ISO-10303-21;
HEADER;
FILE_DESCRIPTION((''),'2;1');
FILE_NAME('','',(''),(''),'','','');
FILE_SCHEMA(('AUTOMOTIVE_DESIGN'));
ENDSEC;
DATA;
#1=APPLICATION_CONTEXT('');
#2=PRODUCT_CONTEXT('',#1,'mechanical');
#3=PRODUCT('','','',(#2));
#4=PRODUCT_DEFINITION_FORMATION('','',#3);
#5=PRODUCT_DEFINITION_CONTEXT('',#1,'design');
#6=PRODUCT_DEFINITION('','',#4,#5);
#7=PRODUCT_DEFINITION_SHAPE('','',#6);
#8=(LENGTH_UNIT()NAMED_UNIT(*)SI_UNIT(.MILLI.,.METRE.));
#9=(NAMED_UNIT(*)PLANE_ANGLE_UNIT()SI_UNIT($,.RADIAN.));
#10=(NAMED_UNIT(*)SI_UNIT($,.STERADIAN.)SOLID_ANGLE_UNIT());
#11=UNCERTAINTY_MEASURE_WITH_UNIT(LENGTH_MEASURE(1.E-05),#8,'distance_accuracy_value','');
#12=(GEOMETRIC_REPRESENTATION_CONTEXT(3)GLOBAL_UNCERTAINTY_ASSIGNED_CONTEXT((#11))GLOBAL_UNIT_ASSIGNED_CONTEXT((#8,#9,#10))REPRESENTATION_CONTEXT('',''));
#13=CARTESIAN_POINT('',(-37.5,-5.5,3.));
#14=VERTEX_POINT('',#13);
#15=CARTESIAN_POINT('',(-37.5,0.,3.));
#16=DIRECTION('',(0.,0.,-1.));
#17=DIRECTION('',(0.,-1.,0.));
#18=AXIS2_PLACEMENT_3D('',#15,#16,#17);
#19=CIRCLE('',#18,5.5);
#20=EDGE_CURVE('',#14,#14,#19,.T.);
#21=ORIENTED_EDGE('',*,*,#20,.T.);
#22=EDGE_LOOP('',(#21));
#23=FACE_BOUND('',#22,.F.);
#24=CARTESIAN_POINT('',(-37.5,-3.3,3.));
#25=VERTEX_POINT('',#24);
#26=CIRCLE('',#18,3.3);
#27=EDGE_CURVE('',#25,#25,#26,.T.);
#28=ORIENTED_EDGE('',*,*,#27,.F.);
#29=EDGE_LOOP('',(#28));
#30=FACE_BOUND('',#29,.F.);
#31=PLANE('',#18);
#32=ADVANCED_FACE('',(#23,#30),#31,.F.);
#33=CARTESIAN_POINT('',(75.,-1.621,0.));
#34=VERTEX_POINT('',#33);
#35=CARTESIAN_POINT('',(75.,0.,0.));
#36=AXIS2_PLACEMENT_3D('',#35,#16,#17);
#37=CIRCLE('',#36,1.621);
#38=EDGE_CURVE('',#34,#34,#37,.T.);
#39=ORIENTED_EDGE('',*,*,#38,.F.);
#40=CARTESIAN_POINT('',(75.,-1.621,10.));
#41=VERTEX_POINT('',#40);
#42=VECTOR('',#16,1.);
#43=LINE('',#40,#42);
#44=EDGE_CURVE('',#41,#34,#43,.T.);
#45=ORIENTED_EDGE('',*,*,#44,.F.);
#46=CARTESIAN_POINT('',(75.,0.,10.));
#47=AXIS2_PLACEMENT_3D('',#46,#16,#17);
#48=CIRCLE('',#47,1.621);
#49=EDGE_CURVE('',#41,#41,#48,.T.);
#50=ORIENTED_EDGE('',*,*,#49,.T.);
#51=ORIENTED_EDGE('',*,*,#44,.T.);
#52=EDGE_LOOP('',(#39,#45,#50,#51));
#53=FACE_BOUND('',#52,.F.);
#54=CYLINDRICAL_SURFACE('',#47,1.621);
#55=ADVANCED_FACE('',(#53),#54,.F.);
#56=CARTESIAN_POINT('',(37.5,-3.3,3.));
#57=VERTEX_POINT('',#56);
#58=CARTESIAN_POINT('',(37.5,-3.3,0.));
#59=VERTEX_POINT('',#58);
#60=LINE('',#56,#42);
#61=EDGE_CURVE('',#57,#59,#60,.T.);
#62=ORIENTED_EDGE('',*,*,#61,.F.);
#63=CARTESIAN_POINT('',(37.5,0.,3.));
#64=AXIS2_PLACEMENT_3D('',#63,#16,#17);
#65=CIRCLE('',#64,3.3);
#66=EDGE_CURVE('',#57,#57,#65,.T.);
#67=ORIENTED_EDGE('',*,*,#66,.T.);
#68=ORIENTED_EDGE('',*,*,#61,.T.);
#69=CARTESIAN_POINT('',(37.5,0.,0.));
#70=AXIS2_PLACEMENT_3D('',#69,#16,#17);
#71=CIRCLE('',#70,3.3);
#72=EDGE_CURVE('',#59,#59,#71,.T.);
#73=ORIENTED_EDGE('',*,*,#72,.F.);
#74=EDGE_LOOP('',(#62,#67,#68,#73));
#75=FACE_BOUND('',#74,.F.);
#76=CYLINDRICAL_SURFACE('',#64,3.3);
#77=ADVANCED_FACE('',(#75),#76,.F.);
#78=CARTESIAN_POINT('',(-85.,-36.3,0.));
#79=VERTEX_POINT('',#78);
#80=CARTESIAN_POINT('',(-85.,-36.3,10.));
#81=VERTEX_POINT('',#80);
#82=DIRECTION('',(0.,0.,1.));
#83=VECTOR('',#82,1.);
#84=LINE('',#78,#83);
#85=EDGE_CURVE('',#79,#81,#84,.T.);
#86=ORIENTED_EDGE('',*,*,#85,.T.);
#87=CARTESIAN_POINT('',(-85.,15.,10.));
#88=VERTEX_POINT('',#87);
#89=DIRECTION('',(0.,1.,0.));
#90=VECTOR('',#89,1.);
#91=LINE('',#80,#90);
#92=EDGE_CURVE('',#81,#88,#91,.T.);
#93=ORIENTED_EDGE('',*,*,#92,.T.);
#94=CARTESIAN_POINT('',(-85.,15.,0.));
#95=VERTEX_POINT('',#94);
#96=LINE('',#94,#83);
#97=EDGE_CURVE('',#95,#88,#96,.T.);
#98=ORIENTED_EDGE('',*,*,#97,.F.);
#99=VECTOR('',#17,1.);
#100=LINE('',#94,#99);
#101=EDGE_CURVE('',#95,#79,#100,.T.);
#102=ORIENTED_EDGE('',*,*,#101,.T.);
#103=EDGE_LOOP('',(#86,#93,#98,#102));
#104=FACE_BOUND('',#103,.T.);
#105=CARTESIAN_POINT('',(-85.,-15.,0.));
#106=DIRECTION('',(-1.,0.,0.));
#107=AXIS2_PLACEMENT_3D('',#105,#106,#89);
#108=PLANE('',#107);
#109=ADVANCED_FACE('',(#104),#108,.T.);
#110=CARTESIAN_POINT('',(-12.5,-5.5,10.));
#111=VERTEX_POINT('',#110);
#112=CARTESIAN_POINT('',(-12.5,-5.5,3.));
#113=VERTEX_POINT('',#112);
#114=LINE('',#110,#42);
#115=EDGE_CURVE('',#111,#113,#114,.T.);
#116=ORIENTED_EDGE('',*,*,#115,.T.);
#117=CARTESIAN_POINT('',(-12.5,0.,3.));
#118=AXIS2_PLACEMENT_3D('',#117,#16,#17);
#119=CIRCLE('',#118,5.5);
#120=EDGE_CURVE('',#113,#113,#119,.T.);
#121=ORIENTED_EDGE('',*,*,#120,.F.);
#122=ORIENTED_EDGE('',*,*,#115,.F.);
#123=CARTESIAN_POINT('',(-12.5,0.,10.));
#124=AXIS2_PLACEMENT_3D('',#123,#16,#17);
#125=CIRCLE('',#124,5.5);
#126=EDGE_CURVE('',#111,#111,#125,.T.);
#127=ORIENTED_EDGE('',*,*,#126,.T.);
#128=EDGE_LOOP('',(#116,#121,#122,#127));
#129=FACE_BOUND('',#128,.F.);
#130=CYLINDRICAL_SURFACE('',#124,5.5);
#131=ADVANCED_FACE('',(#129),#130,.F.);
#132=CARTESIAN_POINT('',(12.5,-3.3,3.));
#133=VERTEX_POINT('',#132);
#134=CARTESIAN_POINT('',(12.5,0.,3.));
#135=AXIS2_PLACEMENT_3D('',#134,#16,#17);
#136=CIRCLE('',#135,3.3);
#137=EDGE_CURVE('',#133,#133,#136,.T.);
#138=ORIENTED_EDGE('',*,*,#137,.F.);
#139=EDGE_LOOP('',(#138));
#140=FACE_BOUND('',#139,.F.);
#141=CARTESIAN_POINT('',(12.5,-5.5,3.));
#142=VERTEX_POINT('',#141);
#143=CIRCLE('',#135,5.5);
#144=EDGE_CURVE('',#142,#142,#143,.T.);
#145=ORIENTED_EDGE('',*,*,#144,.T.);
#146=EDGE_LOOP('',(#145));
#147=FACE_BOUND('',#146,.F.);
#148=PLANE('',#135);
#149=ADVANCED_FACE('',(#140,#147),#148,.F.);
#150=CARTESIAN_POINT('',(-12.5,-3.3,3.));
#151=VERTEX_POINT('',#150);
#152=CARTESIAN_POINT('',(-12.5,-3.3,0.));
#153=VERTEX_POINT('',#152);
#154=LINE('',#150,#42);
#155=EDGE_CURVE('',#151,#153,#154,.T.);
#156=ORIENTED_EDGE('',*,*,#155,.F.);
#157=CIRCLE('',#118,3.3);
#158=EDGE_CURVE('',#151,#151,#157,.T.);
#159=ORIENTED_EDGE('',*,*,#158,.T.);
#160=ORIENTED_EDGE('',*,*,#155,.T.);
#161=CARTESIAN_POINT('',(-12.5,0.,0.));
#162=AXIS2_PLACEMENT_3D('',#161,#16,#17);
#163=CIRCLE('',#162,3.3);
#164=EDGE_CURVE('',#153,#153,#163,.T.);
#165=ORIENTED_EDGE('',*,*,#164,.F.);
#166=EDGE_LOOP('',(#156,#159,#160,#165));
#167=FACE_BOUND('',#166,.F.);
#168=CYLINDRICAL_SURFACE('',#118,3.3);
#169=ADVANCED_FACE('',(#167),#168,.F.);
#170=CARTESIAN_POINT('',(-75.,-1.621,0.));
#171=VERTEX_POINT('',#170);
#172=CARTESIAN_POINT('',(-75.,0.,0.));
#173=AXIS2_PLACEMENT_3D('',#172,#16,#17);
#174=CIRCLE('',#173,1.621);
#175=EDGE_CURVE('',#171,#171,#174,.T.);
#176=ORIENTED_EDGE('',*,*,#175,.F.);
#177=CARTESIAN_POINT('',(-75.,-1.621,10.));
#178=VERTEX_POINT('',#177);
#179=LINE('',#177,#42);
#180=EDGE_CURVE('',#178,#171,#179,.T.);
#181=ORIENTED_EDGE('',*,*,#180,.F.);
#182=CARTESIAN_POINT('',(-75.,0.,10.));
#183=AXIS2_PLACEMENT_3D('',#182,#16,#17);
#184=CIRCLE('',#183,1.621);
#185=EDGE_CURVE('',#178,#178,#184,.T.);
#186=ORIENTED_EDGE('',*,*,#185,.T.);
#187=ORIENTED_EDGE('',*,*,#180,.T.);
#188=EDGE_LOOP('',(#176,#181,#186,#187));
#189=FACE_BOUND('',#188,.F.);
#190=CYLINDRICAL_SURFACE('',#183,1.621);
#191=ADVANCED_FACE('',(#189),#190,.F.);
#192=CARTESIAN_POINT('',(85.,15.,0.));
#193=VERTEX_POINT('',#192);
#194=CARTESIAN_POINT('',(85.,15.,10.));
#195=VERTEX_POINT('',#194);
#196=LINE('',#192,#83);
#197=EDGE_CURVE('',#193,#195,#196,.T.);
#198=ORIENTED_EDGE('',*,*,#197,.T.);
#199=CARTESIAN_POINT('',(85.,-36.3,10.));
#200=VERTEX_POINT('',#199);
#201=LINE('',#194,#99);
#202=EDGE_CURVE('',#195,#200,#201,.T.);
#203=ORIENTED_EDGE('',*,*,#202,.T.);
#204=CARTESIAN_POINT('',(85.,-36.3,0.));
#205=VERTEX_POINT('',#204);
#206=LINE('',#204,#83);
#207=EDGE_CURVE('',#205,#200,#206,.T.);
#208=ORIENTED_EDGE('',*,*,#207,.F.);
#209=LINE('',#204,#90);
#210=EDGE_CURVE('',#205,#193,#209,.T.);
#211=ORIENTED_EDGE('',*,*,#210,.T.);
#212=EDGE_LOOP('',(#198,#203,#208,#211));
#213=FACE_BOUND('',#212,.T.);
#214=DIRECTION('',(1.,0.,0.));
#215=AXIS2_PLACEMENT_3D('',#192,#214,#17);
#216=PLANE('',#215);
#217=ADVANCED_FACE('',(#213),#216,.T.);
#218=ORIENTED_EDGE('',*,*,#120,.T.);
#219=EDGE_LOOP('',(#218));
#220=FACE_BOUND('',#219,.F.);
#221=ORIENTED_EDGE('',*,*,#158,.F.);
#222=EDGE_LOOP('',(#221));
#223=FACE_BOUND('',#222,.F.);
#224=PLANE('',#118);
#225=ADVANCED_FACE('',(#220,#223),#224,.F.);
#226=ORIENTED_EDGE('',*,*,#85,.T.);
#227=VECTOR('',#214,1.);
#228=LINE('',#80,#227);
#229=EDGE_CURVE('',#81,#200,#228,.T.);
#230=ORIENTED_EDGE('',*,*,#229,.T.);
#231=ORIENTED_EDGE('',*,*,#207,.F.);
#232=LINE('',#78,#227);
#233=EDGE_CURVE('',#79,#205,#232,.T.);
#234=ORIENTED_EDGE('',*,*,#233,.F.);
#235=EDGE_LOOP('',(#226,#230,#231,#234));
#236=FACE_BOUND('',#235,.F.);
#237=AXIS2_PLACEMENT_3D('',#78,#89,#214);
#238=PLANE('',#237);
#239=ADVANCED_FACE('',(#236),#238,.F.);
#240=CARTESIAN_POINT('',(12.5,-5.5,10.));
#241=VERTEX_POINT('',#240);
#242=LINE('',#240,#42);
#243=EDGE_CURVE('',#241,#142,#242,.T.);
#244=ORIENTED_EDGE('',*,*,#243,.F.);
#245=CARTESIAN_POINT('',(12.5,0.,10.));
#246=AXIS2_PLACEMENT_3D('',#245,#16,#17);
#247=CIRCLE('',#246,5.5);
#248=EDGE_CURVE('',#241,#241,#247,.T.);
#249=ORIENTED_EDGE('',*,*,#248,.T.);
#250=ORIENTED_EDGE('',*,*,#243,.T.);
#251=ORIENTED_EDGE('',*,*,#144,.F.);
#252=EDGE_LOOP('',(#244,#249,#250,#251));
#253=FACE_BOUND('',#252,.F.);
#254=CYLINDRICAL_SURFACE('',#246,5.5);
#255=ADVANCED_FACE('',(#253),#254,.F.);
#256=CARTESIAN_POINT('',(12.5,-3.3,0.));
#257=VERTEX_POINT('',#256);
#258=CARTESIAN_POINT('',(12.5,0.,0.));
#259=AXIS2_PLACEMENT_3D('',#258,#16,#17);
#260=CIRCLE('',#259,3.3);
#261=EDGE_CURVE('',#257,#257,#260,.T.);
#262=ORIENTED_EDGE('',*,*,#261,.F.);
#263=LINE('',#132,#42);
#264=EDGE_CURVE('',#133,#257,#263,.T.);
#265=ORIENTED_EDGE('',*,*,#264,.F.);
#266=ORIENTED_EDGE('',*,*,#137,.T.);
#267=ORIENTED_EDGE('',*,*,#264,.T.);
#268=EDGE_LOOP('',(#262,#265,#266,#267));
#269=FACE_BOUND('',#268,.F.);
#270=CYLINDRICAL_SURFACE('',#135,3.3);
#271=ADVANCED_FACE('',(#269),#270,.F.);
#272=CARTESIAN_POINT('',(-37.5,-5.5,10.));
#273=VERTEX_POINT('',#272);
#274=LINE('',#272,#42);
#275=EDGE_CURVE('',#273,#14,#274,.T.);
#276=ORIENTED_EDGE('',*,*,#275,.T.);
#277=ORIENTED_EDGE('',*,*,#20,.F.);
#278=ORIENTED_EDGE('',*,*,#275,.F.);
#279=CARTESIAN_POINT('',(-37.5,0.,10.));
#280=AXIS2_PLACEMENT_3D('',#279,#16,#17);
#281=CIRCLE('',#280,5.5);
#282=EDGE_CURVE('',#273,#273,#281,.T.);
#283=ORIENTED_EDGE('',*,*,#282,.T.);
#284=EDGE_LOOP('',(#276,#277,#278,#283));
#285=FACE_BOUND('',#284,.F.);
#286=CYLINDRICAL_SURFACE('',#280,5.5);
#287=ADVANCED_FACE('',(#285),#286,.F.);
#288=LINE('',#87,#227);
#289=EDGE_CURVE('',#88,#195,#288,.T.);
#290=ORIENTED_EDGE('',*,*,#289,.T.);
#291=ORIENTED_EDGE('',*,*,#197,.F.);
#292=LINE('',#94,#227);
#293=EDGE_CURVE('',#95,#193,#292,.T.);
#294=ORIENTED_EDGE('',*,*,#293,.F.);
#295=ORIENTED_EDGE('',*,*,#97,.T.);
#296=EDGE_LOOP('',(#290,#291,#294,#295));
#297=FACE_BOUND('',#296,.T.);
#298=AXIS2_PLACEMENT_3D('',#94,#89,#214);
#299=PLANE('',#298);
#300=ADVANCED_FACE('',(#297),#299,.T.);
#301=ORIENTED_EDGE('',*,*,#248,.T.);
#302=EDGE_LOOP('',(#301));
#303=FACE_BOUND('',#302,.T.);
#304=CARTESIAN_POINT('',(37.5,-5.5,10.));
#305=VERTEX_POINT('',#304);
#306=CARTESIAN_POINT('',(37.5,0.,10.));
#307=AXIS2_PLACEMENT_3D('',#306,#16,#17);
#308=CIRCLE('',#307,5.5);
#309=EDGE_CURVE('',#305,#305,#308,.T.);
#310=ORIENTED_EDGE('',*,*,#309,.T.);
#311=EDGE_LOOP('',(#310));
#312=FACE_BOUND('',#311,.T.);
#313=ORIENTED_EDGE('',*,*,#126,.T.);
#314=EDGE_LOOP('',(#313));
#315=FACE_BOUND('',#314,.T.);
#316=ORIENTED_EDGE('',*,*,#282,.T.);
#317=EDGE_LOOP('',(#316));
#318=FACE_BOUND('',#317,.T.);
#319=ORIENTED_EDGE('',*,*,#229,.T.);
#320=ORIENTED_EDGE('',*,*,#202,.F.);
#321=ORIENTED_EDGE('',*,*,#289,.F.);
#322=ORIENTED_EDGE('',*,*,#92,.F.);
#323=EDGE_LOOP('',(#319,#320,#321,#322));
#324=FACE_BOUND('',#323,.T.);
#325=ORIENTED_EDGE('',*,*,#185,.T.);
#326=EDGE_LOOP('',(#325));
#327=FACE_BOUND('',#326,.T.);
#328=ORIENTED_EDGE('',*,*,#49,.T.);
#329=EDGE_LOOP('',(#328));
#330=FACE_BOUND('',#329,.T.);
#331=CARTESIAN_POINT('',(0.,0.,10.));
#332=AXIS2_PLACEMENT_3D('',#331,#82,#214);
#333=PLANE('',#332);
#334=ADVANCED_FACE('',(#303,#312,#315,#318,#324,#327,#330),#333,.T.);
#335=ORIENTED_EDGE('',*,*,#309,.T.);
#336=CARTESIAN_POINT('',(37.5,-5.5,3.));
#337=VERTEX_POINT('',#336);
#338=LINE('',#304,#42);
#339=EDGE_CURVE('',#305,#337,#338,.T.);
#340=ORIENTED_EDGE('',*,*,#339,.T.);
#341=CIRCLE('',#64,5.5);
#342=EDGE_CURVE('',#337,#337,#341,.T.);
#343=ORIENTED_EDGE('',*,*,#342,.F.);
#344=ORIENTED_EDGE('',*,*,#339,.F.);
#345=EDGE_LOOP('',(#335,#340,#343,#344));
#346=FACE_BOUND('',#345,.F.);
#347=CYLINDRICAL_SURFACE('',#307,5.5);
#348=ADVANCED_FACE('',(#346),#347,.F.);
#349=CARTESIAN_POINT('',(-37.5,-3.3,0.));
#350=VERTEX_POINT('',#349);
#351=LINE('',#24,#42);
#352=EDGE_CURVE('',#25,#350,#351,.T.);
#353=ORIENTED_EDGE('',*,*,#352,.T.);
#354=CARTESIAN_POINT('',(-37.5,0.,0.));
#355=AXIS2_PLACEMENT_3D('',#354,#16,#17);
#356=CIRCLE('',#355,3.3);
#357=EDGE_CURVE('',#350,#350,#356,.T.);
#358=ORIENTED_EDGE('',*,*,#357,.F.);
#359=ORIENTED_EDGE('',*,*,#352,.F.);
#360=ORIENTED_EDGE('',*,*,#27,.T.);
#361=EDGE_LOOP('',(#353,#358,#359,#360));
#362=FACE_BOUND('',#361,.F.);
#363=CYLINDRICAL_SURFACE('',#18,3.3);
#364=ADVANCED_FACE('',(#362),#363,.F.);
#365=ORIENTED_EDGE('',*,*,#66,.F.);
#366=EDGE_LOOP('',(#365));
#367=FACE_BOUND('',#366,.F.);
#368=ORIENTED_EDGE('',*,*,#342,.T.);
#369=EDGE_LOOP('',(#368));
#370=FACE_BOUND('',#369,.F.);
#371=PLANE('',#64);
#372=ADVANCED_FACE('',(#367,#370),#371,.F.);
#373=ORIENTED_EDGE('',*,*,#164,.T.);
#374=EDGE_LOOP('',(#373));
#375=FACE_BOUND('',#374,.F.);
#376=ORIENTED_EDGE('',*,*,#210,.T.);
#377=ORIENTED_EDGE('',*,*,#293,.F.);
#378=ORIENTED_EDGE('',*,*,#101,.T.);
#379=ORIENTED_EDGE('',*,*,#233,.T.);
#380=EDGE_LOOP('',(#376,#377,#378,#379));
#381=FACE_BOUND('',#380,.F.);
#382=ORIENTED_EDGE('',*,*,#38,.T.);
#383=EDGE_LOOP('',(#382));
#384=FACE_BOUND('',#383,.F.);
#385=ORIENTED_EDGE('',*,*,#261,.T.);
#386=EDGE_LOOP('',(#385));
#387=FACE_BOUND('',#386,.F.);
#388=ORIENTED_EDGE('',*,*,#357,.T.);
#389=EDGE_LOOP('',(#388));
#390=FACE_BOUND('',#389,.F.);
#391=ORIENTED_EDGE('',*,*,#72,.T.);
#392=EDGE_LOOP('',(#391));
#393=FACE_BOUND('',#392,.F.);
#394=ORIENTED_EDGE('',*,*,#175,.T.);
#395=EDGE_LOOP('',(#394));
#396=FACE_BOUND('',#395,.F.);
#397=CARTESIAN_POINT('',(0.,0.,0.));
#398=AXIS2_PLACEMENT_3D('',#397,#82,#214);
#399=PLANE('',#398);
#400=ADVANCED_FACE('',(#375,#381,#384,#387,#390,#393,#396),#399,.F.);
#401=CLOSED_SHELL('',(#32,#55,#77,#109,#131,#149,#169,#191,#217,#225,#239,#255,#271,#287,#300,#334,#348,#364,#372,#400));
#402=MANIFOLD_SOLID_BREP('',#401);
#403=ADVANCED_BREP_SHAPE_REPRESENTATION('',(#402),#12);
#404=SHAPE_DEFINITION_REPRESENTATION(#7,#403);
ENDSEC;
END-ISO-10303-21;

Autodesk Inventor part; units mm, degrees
ref_plane "YZ Plane" through (0, 0, 0) normal (1, 0, 0) x (0, 1, 0)
ref_plane "XZ Plane" through (0, 0, 0) normal (0, 1, 0) x (-1, 0, 0)
ref_plane "XY Plane" through (0, 0, 0) normal (0, 0, 1) x (1, 0, 0)
sketch "Sketch1" plane through (0, 0, 0) normal (0, 0, 1) x (1, 0, 0)
  line L0 (-85, 15) -> (85, 15)
  line L1 (85, 15) -> (85, -15)
  line L2 (85, -15) -> (-85, -15)
  line L3 (-85, -15) -> (-85, 15)
  line L4 (85, -15) -> (-85, -15)
  line L5 (-85, -15) -> (-85, -36.3)
  line L6 (-85, -36.3) -> (85, -36.3)
  line L7 (85, -36.3) -> (85, -15)
  point P0 (0, 0)
  dimension "d0" = 30
  dimension "d1" = 170
  dimension "d2" = 85
  dimension "d3" = 15
  dimension "d34" = 21.3
  dimension "d35" = 170
extrude "Extrusion1" add sketch "Sketch1" along normal blind 10
sketch "Sketch2" plane through (0, 0, 10) normal (0, 0, 1) x (1, 0, 0)
  point P0 (0, 0)
  point P1 (-37.5, 0)
  point P2 (-12.5, 0)
  point P3 (12.5, 0)
  point P4 (37.5, 0)
  dimension "d30" = 25
  dimension "d31" = 25
  dimension "d32" = 25
  dimension "d33" = 12.5
hole "Hole1" at (-37.5, 0, 10) at (-12.5, 0, 10) at (12.5, 0, 10) at (37.5, 0, 10) direction (0, 0, -1) diameter 6.6 end through all counterbore diameter 11 counterbore depth 7 clearance for "Hex Head Cap Screw ISO 24017" size "M6" standard "ISO"
sketch "Sketch3" plane through (0, 0, 10) normal (0, 0, 1) x (1, 0, 0)
  point P0 (0, 0)
  point P1 (75, 0)
  point P2 (-75, 0)
  dimension "d16" = 150
  dimension "d17" = 75
hole "Hole2" at (75, 0, 10) at (-75, 0, 10) direction (0, 0, -1) diameter 3.242 end through all thread size "M4x0.7" class "6H" standard "ISO Metric profile"
equation "\"d2\" = 0.5 * d1"
equation "\"d3\" = 0.5 * d0"
equation "\"d35\" = d1"
equation "\"d33\" = 0.5 * d31"
equation "\"d17\" = 0.5 * d16"
properties part number "zStackJackAttach_piece1"
